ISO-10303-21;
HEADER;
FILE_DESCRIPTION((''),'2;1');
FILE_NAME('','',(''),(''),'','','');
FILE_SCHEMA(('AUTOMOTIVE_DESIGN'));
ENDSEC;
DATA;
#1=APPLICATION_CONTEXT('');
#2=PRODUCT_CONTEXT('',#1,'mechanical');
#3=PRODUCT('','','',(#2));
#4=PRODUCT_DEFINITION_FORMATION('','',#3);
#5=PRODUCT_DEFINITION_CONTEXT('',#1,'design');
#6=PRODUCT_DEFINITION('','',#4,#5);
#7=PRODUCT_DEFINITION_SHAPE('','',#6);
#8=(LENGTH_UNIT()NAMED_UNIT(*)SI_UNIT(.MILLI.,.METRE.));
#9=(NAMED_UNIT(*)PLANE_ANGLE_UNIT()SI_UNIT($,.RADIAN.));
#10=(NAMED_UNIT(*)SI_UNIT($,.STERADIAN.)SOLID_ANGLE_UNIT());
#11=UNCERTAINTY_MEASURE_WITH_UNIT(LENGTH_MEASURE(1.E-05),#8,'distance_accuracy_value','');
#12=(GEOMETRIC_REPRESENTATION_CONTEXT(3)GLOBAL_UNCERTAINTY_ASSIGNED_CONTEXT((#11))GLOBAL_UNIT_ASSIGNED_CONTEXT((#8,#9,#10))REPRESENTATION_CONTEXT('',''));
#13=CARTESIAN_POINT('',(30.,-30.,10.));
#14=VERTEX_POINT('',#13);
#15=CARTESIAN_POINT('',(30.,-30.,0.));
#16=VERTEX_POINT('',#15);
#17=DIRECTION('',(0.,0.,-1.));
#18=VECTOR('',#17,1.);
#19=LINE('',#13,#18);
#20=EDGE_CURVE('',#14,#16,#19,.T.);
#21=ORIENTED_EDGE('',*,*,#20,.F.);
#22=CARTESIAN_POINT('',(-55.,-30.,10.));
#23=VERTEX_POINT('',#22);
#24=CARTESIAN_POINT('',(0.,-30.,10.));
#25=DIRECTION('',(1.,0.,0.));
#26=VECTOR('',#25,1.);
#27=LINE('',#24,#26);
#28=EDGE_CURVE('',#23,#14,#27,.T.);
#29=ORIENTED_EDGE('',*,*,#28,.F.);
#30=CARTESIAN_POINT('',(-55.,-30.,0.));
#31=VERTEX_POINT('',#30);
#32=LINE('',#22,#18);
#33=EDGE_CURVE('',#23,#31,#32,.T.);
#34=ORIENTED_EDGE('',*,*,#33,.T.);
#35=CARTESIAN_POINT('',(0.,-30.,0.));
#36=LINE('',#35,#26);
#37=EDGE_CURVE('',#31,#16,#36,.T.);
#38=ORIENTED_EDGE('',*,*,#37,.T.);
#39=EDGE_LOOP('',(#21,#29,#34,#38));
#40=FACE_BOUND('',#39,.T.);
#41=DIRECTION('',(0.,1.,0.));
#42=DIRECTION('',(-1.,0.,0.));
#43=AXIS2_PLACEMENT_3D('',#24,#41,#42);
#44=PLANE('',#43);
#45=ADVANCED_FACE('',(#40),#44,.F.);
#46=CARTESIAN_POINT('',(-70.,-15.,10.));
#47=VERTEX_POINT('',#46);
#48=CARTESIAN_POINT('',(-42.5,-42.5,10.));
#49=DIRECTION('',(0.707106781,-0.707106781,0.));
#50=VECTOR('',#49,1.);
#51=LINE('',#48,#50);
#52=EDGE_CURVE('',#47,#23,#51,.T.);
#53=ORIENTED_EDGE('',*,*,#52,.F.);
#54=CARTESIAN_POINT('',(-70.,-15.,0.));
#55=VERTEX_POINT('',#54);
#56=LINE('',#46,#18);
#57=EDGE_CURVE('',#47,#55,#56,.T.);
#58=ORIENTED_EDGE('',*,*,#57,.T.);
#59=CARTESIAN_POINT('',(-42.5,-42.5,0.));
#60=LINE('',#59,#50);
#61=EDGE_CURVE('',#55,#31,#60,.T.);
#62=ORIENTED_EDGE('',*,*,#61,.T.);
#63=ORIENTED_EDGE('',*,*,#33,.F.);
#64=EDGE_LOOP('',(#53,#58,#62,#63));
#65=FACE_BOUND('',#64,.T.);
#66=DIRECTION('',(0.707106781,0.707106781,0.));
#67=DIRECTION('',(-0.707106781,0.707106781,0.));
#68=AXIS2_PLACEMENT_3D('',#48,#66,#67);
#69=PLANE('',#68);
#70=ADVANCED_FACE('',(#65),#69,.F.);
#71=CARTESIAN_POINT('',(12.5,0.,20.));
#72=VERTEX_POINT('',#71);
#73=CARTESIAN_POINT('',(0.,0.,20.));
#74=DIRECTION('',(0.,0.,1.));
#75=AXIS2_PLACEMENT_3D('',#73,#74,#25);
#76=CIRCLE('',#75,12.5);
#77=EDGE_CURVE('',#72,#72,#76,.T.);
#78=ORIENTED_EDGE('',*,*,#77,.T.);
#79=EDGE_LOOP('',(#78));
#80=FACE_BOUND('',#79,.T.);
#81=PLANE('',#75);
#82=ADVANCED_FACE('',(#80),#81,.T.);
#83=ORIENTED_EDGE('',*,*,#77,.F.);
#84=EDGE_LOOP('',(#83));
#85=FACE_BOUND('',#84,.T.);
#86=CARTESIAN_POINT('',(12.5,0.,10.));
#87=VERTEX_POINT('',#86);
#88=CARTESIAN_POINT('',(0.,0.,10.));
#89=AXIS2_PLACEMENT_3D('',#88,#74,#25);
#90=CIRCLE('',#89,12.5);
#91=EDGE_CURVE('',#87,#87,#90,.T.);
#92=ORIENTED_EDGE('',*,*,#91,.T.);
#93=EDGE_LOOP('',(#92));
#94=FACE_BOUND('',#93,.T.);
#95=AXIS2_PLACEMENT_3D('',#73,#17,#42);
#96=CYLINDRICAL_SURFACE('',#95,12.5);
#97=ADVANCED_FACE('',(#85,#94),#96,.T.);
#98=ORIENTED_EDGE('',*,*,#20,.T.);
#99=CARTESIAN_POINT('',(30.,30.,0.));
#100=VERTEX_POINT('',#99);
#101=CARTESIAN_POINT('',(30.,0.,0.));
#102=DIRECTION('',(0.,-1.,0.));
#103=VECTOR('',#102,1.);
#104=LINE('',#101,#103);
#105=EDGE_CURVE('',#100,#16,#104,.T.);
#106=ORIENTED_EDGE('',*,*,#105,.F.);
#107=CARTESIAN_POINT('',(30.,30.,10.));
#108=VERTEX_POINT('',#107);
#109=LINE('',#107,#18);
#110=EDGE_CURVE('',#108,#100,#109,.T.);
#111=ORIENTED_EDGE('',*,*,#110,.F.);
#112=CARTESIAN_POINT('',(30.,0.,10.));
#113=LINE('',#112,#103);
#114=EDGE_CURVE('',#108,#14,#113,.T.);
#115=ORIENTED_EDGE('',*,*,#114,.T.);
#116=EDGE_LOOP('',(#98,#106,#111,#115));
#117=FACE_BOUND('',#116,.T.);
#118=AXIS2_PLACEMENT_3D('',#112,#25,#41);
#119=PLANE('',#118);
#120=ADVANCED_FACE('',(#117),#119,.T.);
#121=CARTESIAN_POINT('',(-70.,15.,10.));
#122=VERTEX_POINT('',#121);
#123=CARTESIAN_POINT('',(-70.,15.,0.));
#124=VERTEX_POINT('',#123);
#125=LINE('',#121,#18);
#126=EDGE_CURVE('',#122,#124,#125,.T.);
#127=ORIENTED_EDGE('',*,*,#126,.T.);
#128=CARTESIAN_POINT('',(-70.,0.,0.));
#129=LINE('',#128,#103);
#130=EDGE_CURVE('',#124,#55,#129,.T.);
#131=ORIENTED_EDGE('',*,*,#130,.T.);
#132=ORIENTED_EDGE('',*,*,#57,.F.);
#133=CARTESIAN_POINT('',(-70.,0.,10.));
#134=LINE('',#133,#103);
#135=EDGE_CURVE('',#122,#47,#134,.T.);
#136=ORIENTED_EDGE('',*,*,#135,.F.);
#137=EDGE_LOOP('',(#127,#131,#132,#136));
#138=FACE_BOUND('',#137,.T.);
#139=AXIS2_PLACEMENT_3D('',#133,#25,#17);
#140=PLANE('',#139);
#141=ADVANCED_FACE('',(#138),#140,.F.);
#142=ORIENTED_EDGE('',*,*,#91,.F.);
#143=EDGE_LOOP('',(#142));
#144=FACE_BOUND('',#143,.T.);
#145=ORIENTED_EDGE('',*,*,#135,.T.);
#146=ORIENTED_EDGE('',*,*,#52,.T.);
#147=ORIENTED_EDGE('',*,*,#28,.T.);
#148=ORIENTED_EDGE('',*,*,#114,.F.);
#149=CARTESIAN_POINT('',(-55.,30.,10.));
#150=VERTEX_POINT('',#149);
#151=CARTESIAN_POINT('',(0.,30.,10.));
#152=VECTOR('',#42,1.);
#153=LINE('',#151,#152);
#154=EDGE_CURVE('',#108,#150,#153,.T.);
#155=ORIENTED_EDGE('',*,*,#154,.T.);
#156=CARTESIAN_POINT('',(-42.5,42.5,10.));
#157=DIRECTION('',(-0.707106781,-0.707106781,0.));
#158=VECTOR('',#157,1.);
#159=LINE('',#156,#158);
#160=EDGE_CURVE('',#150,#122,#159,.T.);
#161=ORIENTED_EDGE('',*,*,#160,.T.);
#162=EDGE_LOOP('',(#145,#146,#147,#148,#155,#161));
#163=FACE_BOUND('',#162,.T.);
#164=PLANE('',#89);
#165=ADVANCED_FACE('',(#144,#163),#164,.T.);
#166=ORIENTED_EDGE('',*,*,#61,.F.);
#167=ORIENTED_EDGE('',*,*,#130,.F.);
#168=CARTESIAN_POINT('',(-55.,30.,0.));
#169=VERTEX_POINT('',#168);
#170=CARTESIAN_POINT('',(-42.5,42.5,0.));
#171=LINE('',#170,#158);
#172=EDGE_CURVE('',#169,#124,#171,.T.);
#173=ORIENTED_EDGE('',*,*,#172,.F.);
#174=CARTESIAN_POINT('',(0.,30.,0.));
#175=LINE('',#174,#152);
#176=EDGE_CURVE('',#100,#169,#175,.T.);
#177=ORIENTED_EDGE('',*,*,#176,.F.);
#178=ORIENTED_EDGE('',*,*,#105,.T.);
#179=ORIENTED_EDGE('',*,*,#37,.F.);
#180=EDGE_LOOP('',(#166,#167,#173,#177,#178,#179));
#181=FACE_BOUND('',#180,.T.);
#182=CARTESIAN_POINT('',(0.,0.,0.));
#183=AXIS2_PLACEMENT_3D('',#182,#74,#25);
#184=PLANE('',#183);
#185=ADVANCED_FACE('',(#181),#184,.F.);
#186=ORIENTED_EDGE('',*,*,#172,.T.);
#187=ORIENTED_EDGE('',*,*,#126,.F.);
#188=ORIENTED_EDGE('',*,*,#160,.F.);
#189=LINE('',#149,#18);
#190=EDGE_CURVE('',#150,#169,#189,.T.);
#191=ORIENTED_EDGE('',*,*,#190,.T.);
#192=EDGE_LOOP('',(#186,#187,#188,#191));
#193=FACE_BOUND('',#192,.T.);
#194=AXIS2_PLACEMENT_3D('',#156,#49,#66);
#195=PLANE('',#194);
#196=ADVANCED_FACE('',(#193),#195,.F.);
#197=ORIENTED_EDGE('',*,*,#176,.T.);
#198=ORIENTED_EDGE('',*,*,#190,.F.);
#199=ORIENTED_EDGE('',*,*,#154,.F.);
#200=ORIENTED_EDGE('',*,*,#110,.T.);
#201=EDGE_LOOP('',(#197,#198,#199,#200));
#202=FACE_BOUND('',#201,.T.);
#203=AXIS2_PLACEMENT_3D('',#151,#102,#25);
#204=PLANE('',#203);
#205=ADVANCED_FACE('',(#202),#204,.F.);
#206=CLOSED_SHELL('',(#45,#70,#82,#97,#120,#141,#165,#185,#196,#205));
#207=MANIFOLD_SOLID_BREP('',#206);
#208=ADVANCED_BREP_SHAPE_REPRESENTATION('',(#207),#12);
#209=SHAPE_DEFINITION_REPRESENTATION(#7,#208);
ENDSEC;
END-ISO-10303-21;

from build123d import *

# Parameters (mm, degrees)
BASE_SKETCH_R       = 12.5
BOSS_EXTRUDE1_DEPTH = 10
BASE_SKETCH_3_R     = 12.5
BOSS_EXTRUDE2_DEPTH = 20


with BuildPart() as part:
    # Base Sketch → Boss-Extrude1 (new body)
    with BuildSketch(Plane.XY):
        Polygon((-55, -30), (30, -30), (30, 30), (-55, 30), (-70, 15), (-70, -15), align=None)
        Circle(BASE_SKETCH_R, mode=Mode.SUBTRACT)
    extrude(amount=BOSS_EXTRUDE1_DEPTH)

    # Base Sketch<3> → Boss-Extrude2 (add)
    with BuildSketch(Plane.XY):
        Circle(BASE_SKETCH_3_R)
    extrude(amount=BOSS_EXTRUDE2_DEPTH)


solid = part.part
